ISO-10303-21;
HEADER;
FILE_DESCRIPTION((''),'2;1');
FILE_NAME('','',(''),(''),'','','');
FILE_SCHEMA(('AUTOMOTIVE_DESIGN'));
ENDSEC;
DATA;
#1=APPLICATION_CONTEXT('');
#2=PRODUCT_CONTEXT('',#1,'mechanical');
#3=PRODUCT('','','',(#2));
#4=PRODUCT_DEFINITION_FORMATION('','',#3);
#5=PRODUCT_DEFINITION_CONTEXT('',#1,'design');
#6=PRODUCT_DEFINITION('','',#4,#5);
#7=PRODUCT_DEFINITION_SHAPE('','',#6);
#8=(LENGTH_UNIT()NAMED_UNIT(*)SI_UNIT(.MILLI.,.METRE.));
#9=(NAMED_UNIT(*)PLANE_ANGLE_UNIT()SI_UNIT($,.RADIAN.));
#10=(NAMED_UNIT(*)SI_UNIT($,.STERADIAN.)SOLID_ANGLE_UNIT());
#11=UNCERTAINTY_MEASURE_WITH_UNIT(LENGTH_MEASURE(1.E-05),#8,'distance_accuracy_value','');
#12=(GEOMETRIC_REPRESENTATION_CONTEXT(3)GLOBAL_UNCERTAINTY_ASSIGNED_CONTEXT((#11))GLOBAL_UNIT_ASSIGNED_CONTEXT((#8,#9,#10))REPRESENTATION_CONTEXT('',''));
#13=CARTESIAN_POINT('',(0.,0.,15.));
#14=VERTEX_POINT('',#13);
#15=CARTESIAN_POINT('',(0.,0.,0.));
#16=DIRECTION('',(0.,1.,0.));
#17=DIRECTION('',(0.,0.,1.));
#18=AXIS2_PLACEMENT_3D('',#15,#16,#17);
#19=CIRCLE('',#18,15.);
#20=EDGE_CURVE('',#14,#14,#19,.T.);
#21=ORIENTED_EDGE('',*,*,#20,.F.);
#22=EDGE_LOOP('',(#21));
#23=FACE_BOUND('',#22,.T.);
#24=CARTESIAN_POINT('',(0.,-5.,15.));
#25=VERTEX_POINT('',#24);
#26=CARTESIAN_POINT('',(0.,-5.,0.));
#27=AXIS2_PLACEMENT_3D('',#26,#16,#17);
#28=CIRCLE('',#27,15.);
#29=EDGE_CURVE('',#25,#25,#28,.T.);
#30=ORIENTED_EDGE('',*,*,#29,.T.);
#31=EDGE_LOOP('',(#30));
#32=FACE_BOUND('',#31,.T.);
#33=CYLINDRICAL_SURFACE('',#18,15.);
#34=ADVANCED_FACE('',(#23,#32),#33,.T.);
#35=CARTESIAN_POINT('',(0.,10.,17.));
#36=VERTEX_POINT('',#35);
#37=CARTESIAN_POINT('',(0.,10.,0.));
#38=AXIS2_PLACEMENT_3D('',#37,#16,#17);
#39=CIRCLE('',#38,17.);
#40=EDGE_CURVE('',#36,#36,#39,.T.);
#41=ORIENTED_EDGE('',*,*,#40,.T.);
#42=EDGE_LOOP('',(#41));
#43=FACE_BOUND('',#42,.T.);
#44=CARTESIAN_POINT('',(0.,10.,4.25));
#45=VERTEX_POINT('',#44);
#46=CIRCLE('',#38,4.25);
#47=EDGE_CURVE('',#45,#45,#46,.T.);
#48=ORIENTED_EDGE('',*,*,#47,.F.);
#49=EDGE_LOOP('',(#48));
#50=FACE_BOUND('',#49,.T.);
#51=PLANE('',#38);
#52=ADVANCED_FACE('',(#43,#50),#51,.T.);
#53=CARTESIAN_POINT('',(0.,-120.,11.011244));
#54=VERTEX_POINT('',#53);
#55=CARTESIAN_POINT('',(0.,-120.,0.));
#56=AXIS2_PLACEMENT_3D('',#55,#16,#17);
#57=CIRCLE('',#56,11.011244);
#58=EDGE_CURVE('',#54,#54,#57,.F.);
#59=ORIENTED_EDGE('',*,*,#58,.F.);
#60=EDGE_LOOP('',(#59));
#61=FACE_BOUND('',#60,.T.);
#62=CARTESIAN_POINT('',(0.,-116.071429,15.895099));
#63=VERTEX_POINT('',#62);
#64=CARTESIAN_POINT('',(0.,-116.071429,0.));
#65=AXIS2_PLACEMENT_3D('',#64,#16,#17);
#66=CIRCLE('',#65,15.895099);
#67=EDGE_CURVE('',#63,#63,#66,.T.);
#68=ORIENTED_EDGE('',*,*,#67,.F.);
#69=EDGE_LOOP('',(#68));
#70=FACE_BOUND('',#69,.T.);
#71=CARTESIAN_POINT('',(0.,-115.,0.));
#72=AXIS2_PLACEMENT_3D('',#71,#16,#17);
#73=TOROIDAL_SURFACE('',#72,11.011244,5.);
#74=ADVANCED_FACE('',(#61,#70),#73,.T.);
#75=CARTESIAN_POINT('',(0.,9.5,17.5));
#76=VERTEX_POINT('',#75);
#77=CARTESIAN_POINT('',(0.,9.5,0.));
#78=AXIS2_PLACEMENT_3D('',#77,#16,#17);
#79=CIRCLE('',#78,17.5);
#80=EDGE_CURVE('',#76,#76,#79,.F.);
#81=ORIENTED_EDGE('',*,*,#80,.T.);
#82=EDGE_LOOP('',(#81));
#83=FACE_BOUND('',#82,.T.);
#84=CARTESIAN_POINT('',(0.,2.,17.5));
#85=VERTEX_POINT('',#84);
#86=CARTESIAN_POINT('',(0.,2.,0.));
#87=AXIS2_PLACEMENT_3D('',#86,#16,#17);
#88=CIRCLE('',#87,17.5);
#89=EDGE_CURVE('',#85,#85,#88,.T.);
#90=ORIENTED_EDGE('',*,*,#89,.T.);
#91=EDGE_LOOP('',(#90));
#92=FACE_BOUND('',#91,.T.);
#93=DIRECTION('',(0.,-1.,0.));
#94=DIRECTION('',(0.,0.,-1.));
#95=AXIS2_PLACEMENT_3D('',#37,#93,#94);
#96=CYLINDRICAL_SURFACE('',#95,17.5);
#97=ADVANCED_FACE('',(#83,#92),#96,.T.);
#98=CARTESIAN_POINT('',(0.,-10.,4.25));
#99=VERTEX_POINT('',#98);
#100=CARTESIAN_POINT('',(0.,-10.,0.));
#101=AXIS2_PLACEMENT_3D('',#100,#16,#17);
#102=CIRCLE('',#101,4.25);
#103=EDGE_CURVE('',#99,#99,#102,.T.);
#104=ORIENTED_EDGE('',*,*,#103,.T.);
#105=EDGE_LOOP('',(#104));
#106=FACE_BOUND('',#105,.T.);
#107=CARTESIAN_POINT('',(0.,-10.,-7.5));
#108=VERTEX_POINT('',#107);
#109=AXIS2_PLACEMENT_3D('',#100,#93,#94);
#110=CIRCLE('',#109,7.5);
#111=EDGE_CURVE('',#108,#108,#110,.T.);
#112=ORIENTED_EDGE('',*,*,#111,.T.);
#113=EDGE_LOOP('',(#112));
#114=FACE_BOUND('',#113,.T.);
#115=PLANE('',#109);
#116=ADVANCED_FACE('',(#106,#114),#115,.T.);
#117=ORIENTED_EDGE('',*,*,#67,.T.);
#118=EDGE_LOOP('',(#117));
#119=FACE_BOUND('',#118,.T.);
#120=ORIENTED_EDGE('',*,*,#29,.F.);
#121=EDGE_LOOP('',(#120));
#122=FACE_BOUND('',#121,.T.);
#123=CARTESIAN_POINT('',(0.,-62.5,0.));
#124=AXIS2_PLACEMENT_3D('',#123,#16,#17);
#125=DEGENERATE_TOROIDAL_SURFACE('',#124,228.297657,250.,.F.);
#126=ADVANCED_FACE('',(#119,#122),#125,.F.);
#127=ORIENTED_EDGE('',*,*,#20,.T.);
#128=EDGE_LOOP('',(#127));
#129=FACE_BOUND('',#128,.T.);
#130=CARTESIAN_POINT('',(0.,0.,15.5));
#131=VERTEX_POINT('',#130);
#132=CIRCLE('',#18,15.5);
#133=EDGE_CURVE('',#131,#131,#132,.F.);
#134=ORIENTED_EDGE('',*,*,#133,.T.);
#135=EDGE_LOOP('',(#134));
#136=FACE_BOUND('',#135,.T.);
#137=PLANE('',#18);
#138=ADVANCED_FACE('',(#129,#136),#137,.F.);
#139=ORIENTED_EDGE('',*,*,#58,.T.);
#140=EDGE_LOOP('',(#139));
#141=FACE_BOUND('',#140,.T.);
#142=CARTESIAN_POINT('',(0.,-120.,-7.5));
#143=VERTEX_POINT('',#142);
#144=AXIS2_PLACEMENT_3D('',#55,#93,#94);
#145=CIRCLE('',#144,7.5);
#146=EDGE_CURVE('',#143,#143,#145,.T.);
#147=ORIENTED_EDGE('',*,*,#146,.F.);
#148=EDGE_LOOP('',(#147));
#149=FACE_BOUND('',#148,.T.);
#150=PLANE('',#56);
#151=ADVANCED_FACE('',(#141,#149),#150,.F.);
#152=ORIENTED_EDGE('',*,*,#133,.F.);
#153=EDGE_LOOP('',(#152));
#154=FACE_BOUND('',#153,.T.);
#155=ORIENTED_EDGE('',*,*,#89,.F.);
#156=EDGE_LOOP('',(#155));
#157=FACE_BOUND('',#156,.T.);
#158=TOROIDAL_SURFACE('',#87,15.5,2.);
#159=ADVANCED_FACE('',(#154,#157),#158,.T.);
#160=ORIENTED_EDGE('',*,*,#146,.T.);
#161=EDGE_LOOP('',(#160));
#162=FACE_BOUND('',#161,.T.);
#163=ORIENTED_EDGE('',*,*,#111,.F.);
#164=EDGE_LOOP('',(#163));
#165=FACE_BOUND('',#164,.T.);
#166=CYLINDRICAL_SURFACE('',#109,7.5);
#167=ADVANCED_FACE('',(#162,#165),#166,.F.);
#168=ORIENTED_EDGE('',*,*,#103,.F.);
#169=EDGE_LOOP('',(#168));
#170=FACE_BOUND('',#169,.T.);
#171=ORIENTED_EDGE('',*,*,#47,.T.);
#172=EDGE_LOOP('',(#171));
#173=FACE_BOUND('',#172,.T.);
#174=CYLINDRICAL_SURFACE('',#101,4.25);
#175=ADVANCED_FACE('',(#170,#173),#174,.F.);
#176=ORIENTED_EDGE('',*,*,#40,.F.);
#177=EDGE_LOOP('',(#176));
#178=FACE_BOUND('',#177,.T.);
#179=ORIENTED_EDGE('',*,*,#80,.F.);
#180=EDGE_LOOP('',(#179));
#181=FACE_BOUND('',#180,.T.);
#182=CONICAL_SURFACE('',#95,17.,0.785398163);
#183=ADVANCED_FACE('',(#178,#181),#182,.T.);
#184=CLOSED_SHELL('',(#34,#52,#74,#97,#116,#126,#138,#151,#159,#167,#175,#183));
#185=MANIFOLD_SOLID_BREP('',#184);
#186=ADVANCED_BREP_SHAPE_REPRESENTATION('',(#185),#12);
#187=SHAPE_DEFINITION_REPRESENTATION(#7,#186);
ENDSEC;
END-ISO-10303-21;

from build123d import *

# Parameters (mm, degrees)
SKETCH1_R           = 17.5
BOSS_EXTRUDE1_DEPTH = 10
FILLET1_R           = 5
SKETCH3_R           = 7.5
CUT_EXTRUDE1_DEPTH  = 110
SKETCH4_R           = 4.25
CUT_EXTRUDE2_DEPTH  = 20
FILLET5_R           = 2
CHAMFER1_SIZE       = 0.5


with BuildPart() as part:
    # Sketch1 → Boss-Extrude1 (new body)
    with BuildSketch(Plane(origin=(0, 0, 0), x_dir=(1, 0, 0), z_dir=(0, 1, 0))):
        with Locations(Location((0, 0, 0), (0, 0, 270))):
            Circle(SKETCH1_R)
    extrude(amount=BOSS_EXTRUDE1_DEPTH)

    # Sketch2 → Revolve1 (revolve)
    with BuildSketch(Plane(origin=(0, 0, 0), x_dir=(0, 0, -1), z_dir=(1, 0, 0)), mode=Mode.PRIVATE) as revolve1_sk:
        with BuildLine():
            Line((15, 0), (15, -5))
            ThreePointArc((15, -5), (21.702342798, -62.5), (15, -120))
            Line((15, -120), (0, -120))
            Line((0, -120), (0, 0))
            Line((0, 0), (15, 0))
        make_face()
    revolve(revolve1_sk.sketch.rotate(Axis((0, 0, 0), (0, -1, 0)), 180), axis=Axis((0, 0, 0), (0, -1, 0)))

    # Fillet1
    fillet1_edges = [part.edges().sort_by_distance(p)[0] for p in [
        (0, -120, -15),
    ]]
    fillet(fillet1_edges, radius=FILLET1_R)

    # Sketch3 → Cut-Extrude1 (cut)
    with BuildSketch(Plane.XZ.offset(120)):
        with Locations(Location((0, 0, 0), (0, 0, 270))):
            Circle(SKETCH3_R)
    extrude(amount=-CUT_EXTRUDE1_DEPTH, mode=Mode.SUBTRACT)

    # Sketch4 → Cut-Extrude2 (cut)
    with BuildSketch(Plane(origin=(0, 10, 0), x_dir=(1, 0, 0), z_dir=(0, 1, 0))):
        with Locations(Location((0, 0, 0), (0, 0, 270))):
            Circle(SKETCH4_R)
    extrude(amount=-CUT_EXTRUDE2_DEPTH, mode=Mode.SUBTRACT)

    # Fillet5
    fillet5_edges = [part.edges().sort_by_distance(p)[0] for p in [
        (0, 0, -17.5),
    ]]
    fillet(fillet5_edges, radius=FILLET5_R)

    # Chamfer1
    chamfer1_edges = [part.edges().sort_by_distance(p)[0] for p in [
        (0, 10, -17.5),
    ]]
    chamfer(chamfer1_edges, length=CHAMFER1_SIZE)


solid = part.part
